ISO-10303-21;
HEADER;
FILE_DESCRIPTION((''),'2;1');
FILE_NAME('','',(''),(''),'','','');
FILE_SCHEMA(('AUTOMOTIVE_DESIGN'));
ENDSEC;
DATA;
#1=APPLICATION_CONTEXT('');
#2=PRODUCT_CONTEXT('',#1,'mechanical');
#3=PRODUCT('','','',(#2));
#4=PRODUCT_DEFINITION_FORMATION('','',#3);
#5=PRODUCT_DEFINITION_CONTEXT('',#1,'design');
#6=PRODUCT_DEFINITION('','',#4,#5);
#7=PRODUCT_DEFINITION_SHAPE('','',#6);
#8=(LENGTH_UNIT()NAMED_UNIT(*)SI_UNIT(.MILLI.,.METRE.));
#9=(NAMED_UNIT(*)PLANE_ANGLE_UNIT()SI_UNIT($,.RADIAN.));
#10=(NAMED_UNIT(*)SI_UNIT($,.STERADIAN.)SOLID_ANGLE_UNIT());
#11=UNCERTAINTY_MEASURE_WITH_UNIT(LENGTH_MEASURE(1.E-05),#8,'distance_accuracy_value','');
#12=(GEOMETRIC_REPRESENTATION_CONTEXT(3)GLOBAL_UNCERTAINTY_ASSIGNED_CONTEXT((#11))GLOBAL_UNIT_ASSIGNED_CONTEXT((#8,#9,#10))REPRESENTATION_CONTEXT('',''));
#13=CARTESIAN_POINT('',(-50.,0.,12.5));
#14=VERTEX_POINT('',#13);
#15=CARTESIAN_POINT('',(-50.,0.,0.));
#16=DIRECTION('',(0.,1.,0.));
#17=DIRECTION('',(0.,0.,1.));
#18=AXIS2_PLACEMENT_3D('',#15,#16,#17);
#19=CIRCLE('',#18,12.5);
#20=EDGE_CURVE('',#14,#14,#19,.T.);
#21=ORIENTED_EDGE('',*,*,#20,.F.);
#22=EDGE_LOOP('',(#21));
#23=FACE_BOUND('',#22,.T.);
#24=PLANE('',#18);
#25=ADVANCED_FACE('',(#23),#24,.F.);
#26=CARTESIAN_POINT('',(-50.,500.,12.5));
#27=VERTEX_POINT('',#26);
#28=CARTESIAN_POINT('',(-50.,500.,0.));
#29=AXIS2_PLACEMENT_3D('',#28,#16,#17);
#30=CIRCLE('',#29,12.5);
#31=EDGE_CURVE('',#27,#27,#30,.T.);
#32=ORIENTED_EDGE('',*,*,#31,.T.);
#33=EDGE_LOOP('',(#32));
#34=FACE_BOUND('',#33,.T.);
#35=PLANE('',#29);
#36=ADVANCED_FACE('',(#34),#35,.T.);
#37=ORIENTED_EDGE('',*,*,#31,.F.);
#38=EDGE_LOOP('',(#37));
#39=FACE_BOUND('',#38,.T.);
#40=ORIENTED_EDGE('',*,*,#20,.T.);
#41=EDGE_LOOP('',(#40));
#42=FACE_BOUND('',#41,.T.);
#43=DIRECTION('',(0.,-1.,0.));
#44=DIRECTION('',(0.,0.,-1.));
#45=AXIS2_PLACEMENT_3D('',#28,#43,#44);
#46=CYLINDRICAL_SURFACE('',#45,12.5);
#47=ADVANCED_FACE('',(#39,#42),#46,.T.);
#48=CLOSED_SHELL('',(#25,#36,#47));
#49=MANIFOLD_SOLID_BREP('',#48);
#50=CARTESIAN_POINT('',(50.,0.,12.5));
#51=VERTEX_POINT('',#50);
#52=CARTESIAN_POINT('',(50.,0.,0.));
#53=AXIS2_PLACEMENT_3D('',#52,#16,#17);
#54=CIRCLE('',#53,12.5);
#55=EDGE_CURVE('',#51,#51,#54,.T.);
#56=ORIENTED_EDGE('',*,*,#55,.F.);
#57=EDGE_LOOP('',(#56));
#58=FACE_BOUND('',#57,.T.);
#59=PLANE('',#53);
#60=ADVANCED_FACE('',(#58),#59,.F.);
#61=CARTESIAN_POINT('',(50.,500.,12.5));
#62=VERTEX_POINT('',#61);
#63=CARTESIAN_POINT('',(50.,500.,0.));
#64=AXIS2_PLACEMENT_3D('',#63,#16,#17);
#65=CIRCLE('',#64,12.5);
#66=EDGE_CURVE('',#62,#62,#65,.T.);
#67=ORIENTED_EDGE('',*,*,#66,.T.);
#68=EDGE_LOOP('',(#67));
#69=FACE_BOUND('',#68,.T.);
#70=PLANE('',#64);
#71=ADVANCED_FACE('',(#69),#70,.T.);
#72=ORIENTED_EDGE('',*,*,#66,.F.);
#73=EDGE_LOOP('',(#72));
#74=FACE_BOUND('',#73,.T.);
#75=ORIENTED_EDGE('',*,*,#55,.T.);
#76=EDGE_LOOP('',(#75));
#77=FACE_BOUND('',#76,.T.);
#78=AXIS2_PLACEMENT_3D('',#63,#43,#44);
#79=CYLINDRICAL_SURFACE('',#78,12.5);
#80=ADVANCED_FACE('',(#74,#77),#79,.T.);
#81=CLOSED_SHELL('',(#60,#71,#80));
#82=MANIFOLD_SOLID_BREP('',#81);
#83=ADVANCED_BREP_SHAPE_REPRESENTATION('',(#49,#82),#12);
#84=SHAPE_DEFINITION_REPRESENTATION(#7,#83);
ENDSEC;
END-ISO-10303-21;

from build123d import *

# Parameters (mm, degrees)
SKETCH_1_R        = 12.5
EXTRUDE_1_DEPTH   = 500
EXTRUDE_1_2_DEPTH = 500


with BuildPart() as part:
    # 草图1 → 凸台-拉伸1 (new body)
    with BuildSketch(Plane(origin=(0, 0, 0), x_dir=(1, 0, 0), z_dir=(0, 1, 0))):
        with Locations(Location((-50, 0, 0), (0, 0, 270))):
            Circle(SKETCH_1_R)
    extrude(amount=EXTRUDE_1_DEPTH)


with BuildPart() as body_2:
    # 草图1 → Extrude 1 2 (new body)
    with BuildSketch(Plane(origin=(0, 0, 0), x_dir=(1, 0, 0), z_dir=(0, 1, 0))):
        with Locations(Location((50, 0, 0), (0, 0, 270))):
            Circle(SKETCH_1_R)
    extrude(amount=EXTRUDE_1_2_DEPTH)


solid = Compound([part.part, body_2.part])
